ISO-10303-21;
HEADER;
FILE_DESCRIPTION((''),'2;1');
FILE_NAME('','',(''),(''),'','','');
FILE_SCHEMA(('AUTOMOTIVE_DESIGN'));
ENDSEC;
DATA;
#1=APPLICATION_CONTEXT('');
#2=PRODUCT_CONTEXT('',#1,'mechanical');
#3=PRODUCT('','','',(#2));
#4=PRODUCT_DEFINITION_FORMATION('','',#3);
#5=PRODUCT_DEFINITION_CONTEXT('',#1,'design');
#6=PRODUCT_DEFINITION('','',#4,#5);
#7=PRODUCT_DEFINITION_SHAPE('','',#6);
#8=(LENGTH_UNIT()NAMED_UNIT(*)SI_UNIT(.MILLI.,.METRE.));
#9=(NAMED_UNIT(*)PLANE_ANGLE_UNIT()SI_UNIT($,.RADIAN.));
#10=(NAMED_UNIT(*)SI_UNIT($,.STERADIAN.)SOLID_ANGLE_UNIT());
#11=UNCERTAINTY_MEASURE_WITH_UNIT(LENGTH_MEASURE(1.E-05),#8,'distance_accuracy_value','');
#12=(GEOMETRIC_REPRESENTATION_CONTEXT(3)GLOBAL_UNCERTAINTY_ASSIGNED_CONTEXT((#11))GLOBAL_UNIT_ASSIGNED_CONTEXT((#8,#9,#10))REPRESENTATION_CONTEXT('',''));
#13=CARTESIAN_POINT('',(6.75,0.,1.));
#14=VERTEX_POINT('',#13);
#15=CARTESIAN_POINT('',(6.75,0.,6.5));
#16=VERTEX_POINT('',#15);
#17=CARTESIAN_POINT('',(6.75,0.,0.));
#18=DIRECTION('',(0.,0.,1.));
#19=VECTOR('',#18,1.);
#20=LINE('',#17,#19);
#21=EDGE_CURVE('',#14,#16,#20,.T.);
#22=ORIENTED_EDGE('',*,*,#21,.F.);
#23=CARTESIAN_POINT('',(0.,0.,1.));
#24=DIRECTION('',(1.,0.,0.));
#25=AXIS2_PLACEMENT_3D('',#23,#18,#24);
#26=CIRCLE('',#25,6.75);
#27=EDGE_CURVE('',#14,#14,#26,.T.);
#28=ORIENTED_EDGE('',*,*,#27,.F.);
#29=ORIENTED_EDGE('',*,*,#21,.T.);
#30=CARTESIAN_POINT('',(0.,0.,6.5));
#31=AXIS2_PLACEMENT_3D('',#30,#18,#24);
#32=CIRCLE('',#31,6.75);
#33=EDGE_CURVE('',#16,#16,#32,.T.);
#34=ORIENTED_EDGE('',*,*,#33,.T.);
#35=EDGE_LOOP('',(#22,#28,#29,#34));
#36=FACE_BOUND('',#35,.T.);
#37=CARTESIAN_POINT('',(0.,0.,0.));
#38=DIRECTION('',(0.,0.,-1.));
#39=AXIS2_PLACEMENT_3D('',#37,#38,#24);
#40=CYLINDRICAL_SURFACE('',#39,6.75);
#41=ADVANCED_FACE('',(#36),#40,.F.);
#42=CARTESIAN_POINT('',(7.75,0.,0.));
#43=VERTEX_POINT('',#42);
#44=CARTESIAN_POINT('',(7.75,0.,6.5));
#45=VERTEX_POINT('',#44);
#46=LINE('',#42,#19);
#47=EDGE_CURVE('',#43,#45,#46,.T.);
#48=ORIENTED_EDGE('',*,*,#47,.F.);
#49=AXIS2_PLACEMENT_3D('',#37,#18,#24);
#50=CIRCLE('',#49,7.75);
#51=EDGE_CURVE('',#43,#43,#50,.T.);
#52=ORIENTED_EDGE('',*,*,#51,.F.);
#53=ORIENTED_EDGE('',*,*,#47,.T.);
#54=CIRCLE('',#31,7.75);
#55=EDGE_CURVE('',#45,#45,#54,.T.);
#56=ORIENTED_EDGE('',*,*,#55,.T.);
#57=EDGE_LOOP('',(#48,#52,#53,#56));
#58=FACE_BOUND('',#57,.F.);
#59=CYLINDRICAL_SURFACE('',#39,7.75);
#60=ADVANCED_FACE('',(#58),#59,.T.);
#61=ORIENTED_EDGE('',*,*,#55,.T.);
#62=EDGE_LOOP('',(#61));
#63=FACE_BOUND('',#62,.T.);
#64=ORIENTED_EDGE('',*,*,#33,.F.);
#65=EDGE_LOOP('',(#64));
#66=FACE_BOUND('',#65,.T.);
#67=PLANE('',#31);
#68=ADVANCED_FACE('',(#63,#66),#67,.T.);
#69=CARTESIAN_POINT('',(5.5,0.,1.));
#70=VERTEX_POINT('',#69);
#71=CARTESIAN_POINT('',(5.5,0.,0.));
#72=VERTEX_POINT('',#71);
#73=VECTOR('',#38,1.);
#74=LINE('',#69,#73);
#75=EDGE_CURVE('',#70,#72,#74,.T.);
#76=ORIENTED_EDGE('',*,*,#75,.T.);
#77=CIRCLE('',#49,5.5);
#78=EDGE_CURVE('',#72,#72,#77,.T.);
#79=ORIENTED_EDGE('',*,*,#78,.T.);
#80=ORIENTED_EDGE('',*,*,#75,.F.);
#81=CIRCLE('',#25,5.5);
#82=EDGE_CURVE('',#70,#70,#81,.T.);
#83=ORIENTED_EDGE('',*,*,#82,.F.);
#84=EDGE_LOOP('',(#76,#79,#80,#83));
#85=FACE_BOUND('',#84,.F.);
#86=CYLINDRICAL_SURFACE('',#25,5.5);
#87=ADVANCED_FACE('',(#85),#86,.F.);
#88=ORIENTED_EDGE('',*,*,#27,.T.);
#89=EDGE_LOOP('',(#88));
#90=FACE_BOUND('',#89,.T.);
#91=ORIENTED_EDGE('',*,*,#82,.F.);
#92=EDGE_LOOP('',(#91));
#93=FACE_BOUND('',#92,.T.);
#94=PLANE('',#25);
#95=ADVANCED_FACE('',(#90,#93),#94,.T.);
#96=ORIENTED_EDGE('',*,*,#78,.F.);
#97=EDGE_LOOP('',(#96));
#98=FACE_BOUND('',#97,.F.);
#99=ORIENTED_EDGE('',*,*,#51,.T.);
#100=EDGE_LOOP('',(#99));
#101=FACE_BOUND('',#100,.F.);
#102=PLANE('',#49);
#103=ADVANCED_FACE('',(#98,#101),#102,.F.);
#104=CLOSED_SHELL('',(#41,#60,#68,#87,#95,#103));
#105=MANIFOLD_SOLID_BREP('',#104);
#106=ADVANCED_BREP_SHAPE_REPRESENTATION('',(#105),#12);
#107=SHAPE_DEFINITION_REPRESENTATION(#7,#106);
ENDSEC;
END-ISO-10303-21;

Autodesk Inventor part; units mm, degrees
ref_plane "YZ Plane" through (0, 0, 0) normal (1, 0, 0) x (0, 1, 0)
ref_plane "XZ Plane" through (0, 0, 0) normal (0, 1, 0) x (-1, 0, 0)
ref_plane "XY Plane" through (0, 0, 0) normal (0, 0, 1) x (1, 0, 0)
sketch "Sketch1" plane through (0, 0, 0) normal (0, 0, 1) x (1, 0, 0)
  circle A0 centre (0, 0) radius 6.75
  circle A1 centre (0, 0) radius 7.75
  dimension "d0" = 13.5
  dimension "d1" = 15.5
extrude "Extrusion1" add sketch "Sketch1" along normal blind 6.5
sketch "Sketch2" plane through (0, 0, 0) normal (0, 0, 1) x (1, 0, 0)
  circle A0 centre (0, 0) radius 6.75
  dimension "d4" = 13.5
extrude "Extrusion2" add sketch "Sketch2" along normal blind 1
sketch "Sketch3" plane through (0, 0, 1) normal (0, 0, 1) x (1, 0, 0)
  circle A0 centre (0, 0) radius 5.5
  dimension "d7" = 11
extrude "Extrusion3" cut sketch "Sketch3" against normal blind 1
properties part number "HubTest13mm"
